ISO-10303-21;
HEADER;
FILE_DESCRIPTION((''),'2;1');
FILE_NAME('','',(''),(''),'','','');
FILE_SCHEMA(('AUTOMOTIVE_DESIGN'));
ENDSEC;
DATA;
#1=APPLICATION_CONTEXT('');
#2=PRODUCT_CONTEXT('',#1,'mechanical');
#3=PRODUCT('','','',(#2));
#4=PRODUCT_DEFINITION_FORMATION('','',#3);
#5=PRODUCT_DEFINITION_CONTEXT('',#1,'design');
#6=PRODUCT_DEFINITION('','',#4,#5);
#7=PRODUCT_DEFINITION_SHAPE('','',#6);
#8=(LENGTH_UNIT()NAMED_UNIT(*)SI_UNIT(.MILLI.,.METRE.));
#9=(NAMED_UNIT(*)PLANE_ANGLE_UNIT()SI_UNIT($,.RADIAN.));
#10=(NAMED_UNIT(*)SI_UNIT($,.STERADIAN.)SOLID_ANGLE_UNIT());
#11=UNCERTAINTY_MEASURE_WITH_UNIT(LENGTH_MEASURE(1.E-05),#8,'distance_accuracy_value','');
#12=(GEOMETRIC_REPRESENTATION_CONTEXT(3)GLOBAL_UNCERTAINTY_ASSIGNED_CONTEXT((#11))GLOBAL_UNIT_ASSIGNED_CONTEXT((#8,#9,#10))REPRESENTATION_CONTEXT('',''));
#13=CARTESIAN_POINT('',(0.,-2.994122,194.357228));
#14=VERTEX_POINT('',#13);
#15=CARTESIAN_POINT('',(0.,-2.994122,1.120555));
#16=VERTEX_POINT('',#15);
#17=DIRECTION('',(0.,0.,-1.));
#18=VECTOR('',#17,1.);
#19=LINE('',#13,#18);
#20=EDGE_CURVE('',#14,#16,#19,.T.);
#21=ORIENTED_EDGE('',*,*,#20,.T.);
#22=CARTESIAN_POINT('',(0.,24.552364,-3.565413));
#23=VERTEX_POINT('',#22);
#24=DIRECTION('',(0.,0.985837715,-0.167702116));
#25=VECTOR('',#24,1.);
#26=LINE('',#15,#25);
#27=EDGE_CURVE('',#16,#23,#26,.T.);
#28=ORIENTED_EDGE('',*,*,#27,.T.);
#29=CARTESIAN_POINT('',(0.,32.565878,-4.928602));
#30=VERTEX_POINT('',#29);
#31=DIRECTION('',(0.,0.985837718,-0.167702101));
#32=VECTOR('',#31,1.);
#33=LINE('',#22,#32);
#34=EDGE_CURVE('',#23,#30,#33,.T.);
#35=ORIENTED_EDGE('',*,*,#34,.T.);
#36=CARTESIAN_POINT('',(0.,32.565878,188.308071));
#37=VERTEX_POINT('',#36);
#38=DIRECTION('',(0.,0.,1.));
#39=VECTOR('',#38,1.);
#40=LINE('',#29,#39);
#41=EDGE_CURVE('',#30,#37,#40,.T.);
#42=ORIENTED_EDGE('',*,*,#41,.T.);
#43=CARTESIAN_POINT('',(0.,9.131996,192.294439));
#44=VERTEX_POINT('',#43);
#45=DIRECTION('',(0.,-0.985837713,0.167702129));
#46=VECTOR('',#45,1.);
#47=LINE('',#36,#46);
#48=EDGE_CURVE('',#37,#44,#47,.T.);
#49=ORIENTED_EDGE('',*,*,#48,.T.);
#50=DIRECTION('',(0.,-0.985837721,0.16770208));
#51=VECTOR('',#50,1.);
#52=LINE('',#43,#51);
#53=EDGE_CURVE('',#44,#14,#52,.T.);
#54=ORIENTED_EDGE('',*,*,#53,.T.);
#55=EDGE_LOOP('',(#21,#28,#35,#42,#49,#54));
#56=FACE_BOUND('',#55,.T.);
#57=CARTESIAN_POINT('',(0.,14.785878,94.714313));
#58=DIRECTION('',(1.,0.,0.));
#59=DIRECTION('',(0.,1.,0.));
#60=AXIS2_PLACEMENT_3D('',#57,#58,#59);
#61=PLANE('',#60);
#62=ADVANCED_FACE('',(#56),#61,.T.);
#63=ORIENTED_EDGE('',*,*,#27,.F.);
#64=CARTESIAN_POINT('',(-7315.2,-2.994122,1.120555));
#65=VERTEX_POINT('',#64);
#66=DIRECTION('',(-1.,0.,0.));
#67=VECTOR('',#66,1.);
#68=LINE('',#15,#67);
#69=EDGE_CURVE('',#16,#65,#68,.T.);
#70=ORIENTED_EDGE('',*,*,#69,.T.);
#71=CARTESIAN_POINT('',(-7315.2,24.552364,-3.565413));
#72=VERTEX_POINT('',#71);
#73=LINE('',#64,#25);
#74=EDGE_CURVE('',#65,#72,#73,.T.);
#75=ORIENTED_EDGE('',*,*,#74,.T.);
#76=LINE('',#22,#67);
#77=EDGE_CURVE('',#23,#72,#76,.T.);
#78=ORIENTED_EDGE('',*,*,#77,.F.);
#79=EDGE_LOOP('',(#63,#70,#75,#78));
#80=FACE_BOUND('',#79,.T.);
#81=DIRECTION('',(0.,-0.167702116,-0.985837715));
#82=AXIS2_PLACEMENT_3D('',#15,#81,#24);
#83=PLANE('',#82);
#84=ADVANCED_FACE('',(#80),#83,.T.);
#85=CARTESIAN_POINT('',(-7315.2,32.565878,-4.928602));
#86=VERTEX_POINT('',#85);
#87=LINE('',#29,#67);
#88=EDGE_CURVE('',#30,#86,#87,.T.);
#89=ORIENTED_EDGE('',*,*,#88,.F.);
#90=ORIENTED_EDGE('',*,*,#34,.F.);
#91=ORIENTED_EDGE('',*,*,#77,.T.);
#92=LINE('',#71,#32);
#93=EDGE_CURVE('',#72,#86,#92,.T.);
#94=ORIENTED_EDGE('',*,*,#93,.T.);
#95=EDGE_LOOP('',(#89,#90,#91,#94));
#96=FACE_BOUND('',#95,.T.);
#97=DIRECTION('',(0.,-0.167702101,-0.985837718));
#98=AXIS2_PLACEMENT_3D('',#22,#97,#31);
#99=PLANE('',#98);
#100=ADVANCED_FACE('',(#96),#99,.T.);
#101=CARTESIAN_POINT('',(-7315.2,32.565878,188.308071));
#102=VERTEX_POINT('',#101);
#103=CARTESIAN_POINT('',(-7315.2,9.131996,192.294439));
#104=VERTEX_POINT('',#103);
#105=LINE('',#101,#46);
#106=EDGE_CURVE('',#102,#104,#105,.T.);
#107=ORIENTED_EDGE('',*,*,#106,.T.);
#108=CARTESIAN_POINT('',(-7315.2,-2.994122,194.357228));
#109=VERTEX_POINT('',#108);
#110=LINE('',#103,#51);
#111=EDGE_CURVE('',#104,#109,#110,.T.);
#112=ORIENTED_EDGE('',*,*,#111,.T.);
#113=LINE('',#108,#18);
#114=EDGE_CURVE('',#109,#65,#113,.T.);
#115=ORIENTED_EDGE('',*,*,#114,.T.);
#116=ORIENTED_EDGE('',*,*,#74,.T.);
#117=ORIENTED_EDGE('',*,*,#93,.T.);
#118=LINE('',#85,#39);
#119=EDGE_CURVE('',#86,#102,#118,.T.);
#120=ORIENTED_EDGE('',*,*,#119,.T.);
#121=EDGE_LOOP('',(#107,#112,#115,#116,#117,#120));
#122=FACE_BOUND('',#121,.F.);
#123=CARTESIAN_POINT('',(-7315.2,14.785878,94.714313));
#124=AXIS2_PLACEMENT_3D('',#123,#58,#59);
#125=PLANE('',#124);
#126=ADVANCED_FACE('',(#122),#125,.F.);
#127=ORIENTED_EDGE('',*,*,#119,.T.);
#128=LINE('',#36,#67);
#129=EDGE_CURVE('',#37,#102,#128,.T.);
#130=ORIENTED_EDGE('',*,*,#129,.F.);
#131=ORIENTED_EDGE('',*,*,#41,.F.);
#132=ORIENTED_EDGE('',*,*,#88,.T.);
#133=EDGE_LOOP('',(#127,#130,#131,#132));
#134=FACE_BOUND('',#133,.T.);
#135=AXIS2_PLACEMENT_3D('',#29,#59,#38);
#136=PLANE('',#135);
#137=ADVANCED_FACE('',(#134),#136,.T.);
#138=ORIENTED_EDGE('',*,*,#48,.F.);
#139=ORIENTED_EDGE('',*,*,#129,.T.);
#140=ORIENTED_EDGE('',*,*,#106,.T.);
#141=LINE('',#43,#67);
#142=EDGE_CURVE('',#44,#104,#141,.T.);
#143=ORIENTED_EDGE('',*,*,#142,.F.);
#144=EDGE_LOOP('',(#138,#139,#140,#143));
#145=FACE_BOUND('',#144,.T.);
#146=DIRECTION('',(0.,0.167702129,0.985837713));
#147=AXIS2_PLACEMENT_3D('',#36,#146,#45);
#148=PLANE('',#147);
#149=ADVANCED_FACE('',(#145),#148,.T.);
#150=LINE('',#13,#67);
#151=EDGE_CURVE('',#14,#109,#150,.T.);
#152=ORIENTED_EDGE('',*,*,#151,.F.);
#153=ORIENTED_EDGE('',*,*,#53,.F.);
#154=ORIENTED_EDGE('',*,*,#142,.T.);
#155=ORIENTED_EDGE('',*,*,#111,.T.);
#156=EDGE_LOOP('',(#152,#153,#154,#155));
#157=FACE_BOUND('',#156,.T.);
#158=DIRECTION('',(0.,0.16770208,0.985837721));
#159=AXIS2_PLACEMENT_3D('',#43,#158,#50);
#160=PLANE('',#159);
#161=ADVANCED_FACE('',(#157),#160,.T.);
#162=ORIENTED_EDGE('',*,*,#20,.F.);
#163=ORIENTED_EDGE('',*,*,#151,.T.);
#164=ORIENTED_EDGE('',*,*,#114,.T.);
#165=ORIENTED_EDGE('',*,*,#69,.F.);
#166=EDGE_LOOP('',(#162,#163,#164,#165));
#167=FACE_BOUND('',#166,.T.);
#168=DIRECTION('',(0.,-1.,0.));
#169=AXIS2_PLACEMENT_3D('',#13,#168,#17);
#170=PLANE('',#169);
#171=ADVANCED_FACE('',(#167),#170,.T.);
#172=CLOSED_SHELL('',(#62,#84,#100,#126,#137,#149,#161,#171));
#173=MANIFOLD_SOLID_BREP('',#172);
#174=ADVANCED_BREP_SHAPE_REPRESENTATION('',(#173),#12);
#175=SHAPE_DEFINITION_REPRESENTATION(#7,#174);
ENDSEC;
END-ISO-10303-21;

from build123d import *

# Parameters (mm, degrees)
F1_DEPTH = 7315.2


with BuildPart() as f1:
    # F0 (on Right) → F1 (new body)
    with BuildSketch(Plane.YZ):
        Polygon((32.565878, 0), (32.565878, 188.308071), (9.131996, 192.294439), (-2.994122, 194.357228), (-2.994122, 1.120555), (24.552364, -3.565413), (32.565878, -4.928602), align=None)
    extrude(amount=-F1_DEPTH)


solid = f1.part
